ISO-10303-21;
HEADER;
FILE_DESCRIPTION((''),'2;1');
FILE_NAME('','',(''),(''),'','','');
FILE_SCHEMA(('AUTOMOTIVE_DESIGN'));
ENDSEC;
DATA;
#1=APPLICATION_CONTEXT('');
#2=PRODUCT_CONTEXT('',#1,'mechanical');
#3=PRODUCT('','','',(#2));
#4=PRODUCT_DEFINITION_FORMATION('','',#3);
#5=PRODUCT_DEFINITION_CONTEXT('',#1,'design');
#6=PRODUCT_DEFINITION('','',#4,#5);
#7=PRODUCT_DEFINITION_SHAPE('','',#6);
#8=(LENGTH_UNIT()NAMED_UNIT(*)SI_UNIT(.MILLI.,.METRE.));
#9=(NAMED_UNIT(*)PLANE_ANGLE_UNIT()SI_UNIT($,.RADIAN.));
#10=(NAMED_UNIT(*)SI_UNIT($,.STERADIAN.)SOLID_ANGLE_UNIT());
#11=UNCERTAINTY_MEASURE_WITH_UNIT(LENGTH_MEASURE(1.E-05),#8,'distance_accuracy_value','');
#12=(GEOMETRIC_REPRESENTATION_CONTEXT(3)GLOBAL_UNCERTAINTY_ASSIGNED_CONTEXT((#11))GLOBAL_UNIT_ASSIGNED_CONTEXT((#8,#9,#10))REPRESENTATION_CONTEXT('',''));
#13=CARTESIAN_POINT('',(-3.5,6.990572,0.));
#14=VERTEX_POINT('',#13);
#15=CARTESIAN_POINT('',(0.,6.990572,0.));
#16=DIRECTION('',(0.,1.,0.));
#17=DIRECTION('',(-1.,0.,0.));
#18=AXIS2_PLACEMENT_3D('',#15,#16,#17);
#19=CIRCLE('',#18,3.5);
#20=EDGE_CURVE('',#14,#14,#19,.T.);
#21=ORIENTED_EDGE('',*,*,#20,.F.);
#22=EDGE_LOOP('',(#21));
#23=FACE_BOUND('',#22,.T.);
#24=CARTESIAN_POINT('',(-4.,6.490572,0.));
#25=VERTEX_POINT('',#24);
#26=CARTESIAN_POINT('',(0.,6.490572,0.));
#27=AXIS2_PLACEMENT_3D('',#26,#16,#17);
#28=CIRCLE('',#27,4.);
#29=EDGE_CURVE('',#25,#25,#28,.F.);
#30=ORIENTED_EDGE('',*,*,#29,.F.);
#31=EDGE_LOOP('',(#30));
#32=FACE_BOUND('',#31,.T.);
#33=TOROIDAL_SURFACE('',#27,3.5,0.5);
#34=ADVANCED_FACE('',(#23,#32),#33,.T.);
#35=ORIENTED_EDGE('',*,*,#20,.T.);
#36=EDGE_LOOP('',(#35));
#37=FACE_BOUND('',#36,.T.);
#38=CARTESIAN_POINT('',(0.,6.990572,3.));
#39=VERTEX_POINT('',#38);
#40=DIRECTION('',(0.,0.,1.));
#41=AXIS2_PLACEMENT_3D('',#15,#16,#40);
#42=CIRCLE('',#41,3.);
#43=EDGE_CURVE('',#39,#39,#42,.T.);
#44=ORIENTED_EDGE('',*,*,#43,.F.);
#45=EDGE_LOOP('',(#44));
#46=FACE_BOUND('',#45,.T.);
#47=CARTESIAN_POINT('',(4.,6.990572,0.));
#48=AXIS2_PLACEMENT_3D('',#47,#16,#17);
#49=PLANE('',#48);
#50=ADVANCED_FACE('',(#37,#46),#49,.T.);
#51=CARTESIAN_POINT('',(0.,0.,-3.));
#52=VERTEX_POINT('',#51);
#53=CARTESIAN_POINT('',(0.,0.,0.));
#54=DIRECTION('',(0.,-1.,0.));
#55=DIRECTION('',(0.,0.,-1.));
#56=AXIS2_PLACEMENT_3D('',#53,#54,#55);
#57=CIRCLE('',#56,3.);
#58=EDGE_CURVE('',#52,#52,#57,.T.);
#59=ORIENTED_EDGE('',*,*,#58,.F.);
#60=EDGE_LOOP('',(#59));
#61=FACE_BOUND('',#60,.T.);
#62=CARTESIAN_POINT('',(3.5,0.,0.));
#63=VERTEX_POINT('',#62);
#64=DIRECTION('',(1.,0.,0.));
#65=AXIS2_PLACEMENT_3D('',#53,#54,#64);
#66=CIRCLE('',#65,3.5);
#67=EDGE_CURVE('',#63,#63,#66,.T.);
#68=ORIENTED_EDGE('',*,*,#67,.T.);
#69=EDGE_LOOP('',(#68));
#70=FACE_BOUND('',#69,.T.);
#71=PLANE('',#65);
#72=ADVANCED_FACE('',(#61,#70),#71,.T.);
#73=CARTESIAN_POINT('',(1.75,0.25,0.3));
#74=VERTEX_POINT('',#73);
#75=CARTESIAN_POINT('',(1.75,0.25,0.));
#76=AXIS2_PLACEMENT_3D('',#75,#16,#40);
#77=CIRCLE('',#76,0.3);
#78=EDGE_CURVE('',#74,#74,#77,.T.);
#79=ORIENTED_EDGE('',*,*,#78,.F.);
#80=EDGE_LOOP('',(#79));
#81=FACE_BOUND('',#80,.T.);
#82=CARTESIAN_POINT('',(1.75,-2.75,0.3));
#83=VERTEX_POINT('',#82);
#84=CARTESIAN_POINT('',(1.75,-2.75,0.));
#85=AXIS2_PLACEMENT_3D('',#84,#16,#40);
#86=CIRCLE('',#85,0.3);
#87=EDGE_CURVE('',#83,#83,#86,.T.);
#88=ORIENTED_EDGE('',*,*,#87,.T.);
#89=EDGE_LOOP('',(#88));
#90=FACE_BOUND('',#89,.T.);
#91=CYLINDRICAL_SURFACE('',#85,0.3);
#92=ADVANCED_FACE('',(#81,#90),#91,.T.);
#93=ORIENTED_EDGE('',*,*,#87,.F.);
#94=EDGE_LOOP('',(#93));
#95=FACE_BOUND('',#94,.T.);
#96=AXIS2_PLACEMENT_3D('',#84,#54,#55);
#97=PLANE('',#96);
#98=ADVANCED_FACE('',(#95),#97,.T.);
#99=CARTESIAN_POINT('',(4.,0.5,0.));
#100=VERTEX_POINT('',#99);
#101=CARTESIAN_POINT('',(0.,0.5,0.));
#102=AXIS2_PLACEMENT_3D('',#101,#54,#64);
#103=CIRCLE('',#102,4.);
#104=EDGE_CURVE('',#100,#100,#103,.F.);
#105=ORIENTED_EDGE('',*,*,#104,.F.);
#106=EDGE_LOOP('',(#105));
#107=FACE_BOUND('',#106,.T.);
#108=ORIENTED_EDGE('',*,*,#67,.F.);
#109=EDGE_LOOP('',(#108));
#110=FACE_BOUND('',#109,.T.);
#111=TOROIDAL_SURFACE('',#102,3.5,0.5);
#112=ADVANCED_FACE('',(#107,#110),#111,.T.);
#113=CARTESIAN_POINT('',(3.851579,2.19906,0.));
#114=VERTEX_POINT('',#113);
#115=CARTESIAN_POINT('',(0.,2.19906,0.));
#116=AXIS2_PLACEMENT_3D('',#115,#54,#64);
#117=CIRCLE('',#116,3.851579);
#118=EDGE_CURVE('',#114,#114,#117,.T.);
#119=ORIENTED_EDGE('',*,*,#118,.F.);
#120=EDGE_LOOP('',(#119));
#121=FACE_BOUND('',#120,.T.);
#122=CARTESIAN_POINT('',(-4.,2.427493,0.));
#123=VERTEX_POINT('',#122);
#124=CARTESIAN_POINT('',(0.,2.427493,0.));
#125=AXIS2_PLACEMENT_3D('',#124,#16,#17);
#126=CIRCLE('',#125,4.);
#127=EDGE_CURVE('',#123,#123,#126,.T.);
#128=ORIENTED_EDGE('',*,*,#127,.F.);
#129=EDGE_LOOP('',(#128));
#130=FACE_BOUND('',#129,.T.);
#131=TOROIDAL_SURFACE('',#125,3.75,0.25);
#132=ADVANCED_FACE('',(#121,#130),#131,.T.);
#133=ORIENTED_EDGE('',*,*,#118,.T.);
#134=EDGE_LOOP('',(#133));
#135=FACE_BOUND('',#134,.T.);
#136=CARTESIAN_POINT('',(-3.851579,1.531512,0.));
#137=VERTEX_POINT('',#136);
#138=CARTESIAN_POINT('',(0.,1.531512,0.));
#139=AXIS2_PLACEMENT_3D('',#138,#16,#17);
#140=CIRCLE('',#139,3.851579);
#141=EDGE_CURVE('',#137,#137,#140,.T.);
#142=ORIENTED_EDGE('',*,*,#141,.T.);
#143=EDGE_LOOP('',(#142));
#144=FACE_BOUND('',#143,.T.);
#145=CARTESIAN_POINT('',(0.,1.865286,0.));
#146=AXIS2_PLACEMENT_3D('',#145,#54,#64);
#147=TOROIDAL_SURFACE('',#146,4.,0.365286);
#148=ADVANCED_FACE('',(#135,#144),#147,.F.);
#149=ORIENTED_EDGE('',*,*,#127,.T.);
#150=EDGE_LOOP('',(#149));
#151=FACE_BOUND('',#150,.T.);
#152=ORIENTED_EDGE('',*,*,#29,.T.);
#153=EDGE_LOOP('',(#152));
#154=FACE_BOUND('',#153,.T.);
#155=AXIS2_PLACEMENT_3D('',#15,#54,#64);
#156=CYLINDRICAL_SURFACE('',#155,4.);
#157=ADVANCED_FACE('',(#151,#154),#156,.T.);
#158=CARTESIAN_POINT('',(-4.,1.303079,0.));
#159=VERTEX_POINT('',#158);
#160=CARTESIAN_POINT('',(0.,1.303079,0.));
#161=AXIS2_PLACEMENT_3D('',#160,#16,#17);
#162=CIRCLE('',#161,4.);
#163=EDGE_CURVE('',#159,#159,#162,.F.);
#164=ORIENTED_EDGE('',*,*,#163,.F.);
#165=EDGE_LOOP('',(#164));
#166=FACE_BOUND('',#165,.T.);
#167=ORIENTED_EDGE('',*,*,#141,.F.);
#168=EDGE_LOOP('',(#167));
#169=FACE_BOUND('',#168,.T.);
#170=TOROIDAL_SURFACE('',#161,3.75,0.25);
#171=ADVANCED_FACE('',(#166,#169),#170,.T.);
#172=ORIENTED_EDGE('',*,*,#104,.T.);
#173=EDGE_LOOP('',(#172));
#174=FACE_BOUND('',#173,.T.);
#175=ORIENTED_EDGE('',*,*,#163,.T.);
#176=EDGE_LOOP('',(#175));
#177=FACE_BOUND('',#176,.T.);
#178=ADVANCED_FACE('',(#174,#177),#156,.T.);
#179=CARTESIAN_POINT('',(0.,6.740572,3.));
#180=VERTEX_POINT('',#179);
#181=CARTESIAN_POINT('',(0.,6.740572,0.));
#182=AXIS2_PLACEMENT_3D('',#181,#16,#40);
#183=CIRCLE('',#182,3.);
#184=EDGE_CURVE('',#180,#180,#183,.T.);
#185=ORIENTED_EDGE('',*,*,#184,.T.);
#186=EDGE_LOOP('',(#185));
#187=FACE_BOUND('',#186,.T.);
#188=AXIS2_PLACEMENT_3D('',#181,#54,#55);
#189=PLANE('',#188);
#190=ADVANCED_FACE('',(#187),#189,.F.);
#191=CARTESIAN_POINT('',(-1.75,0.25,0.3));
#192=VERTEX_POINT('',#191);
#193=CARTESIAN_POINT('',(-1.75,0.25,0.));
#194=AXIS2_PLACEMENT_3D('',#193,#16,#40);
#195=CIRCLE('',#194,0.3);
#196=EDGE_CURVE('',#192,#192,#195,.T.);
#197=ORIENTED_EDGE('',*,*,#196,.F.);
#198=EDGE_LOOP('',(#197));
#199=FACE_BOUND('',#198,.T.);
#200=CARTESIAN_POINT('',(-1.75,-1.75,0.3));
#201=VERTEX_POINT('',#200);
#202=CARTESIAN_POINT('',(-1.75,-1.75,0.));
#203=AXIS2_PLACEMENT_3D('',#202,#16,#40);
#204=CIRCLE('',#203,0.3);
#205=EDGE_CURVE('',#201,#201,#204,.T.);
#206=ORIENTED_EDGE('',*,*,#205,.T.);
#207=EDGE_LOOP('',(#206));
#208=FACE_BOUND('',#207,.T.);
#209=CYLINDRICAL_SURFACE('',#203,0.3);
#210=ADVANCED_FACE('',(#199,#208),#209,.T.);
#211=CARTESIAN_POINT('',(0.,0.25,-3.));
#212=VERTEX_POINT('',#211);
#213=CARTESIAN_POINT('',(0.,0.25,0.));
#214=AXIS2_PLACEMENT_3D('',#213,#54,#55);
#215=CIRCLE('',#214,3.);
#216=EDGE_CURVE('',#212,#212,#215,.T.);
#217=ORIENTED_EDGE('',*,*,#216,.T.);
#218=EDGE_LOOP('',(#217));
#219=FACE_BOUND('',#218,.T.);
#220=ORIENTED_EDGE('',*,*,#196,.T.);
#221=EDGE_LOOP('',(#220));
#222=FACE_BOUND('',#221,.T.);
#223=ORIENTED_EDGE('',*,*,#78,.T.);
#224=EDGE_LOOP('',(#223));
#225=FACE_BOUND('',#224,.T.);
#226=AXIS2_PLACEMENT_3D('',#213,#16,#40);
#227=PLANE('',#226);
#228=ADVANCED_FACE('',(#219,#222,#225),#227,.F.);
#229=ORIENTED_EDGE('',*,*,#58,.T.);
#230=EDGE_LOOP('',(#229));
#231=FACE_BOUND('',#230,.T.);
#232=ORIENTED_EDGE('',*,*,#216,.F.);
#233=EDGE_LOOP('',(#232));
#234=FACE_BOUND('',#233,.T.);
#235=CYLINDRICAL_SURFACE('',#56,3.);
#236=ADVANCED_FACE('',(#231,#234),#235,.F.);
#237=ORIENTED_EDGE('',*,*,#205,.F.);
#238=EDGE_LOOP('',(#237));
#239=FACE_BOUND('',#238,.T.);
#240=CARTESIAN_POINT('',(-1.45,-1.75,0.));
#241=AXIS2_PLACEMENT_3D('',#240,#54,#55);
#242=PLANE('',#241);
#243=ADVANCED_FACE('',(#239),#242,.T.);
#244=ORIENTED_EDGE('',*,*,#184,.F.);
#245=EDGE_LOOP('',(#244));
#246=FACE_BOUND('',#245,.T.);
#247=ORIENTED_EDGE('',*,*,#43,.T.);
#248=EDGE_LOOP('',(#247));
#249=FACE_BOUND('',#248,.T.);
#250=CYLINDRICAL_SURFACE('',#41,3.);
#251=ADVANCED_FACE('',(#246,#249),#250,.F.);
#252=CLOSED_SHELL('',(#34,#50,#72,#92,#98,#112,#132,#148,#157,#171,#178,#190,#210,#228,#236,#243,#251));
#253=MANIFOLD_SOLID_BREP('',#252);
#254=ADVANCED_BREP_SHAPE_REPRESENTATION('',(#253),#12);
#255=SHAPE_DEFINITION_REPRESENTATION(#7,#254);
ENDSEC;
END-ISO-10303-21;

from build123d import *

# Parameters (mm, degrees)
HOLE_WIZARD_6_0_6_1_D     = 6
HOLE_WIZARD_6_0_6_1_DEPTH = 0.25
SKETCH_4_W                = 0.3
SKETCH_4_H                = 3
SKETCH_5_W                = 0.3
SKETCH_5_H                = 2
HOLE_WIZARD_6_0_6_2_D     = 6
HOLE_WIZARD_6_0_6_2_DEPTH = 0.25
FILLET_1_R                = 0.25
FILLET_2_R                = 0.5


with BuildPart() as part:
    # 草图1 → 旋转1 (revolve)
    with BuildSketch(Plane.XY):
        with BuildLine():
            Line((4, 6.99057192), (0, 6.99057192))
            Line((0, 6.99057192), (0, 0))
            Line((0, 0), (4, 0))
            Line((4, 0), (4, 1.5))
            ThreePointArc((4, 1.5), (3.63471404, 1.86528596), (4, 2.23057192))
            Line((4, 2.23057192), (4, 6.99057192))
        make_face()
    revolve(axis=Axis((0, 6.99057192, 0), (0, -1, 0)))

    # Ø6.0 (6) 直径孔1
    with Locations(Plane(origin=(0, 0, 0), x_dir=(-1, 0, 0), z_dir=(0, -1, 0))):
        with Locations((0, 0)):
            Hole(HOLE_WIZARD_6_0_6_1_D / 2, depth=HOLE_WIZARD_6_0_6_1_DEPTH)

    # 草图4 → 旋转2 (revolve)
    with BuildSketch(Plane(origin=(0, 0, 0), x_dir=(-1, 0, 0), z_dir=(0, 0, -1)), mode=Mode.PRIVATE) as revolve_2_sk:
        with Locations((-1.9, -1.25)):
            Rectangle(SKETCH_4_W, SKETCH_4_H)
    revolve(revolve_2_sk.sketch.rotate(Axis((1.75, -2.75, 0), (0, 1, 0)), 270), axis=Axis((1.75, -2.75, 0), (0, 1, 0)))

    # 草图5 → 旋转3 (revolve)
    with BuildSketch(Plane(origin=(0, 0, 0), x_dir=(-1, 0, 0), z_dir=(0, 0, -1)), mode=Mode.PRIVATE) as revolve_3_sk:
        with Locations((1.6, -0.75)):
            Rectangle(SKETCH_5_W, SKETCH_5_H)
    revolve(revolve_3_sk.sketch.rotate(Axis((-1.75, -1.75, 0), (0, 1, 0)), 270), axis=Axis((-1.75, -1.75, 0), (0, 1, 0)))

    # Ø6.0 (6) 直径孔2
    with Locations(Plane(origin=(0, 6.99057192, 0), x_dir=(1, 0, 0), z_dir=(0, 1, 0))):
        with Locations((0, 0)):
            Hole(HOLE_WIZARD_6_0_6_2_D / 2, depth=HOLE_WIZARD_6_0_6_2_DEPTH)

    # 圆角1
    fillet_1_edges = [part.edges().sort_by_distance(p)[0] for p in [
        (-4, 1.5, 0),
        (-4, 2.23057192, 0),
    ]]
    fillet(fillet_1_edges, radius=FILLET_1_R)

    # 圆角2
    fillet_2_edges = [part.edges().sort_by_distance(p)[0] for p in [
        (-4, 6.99057192, 0),
        (-4, 0, 0),
    ]]
    fillet(fillet_2_edges, radius=FILLET_2_R)


solid = part.part
